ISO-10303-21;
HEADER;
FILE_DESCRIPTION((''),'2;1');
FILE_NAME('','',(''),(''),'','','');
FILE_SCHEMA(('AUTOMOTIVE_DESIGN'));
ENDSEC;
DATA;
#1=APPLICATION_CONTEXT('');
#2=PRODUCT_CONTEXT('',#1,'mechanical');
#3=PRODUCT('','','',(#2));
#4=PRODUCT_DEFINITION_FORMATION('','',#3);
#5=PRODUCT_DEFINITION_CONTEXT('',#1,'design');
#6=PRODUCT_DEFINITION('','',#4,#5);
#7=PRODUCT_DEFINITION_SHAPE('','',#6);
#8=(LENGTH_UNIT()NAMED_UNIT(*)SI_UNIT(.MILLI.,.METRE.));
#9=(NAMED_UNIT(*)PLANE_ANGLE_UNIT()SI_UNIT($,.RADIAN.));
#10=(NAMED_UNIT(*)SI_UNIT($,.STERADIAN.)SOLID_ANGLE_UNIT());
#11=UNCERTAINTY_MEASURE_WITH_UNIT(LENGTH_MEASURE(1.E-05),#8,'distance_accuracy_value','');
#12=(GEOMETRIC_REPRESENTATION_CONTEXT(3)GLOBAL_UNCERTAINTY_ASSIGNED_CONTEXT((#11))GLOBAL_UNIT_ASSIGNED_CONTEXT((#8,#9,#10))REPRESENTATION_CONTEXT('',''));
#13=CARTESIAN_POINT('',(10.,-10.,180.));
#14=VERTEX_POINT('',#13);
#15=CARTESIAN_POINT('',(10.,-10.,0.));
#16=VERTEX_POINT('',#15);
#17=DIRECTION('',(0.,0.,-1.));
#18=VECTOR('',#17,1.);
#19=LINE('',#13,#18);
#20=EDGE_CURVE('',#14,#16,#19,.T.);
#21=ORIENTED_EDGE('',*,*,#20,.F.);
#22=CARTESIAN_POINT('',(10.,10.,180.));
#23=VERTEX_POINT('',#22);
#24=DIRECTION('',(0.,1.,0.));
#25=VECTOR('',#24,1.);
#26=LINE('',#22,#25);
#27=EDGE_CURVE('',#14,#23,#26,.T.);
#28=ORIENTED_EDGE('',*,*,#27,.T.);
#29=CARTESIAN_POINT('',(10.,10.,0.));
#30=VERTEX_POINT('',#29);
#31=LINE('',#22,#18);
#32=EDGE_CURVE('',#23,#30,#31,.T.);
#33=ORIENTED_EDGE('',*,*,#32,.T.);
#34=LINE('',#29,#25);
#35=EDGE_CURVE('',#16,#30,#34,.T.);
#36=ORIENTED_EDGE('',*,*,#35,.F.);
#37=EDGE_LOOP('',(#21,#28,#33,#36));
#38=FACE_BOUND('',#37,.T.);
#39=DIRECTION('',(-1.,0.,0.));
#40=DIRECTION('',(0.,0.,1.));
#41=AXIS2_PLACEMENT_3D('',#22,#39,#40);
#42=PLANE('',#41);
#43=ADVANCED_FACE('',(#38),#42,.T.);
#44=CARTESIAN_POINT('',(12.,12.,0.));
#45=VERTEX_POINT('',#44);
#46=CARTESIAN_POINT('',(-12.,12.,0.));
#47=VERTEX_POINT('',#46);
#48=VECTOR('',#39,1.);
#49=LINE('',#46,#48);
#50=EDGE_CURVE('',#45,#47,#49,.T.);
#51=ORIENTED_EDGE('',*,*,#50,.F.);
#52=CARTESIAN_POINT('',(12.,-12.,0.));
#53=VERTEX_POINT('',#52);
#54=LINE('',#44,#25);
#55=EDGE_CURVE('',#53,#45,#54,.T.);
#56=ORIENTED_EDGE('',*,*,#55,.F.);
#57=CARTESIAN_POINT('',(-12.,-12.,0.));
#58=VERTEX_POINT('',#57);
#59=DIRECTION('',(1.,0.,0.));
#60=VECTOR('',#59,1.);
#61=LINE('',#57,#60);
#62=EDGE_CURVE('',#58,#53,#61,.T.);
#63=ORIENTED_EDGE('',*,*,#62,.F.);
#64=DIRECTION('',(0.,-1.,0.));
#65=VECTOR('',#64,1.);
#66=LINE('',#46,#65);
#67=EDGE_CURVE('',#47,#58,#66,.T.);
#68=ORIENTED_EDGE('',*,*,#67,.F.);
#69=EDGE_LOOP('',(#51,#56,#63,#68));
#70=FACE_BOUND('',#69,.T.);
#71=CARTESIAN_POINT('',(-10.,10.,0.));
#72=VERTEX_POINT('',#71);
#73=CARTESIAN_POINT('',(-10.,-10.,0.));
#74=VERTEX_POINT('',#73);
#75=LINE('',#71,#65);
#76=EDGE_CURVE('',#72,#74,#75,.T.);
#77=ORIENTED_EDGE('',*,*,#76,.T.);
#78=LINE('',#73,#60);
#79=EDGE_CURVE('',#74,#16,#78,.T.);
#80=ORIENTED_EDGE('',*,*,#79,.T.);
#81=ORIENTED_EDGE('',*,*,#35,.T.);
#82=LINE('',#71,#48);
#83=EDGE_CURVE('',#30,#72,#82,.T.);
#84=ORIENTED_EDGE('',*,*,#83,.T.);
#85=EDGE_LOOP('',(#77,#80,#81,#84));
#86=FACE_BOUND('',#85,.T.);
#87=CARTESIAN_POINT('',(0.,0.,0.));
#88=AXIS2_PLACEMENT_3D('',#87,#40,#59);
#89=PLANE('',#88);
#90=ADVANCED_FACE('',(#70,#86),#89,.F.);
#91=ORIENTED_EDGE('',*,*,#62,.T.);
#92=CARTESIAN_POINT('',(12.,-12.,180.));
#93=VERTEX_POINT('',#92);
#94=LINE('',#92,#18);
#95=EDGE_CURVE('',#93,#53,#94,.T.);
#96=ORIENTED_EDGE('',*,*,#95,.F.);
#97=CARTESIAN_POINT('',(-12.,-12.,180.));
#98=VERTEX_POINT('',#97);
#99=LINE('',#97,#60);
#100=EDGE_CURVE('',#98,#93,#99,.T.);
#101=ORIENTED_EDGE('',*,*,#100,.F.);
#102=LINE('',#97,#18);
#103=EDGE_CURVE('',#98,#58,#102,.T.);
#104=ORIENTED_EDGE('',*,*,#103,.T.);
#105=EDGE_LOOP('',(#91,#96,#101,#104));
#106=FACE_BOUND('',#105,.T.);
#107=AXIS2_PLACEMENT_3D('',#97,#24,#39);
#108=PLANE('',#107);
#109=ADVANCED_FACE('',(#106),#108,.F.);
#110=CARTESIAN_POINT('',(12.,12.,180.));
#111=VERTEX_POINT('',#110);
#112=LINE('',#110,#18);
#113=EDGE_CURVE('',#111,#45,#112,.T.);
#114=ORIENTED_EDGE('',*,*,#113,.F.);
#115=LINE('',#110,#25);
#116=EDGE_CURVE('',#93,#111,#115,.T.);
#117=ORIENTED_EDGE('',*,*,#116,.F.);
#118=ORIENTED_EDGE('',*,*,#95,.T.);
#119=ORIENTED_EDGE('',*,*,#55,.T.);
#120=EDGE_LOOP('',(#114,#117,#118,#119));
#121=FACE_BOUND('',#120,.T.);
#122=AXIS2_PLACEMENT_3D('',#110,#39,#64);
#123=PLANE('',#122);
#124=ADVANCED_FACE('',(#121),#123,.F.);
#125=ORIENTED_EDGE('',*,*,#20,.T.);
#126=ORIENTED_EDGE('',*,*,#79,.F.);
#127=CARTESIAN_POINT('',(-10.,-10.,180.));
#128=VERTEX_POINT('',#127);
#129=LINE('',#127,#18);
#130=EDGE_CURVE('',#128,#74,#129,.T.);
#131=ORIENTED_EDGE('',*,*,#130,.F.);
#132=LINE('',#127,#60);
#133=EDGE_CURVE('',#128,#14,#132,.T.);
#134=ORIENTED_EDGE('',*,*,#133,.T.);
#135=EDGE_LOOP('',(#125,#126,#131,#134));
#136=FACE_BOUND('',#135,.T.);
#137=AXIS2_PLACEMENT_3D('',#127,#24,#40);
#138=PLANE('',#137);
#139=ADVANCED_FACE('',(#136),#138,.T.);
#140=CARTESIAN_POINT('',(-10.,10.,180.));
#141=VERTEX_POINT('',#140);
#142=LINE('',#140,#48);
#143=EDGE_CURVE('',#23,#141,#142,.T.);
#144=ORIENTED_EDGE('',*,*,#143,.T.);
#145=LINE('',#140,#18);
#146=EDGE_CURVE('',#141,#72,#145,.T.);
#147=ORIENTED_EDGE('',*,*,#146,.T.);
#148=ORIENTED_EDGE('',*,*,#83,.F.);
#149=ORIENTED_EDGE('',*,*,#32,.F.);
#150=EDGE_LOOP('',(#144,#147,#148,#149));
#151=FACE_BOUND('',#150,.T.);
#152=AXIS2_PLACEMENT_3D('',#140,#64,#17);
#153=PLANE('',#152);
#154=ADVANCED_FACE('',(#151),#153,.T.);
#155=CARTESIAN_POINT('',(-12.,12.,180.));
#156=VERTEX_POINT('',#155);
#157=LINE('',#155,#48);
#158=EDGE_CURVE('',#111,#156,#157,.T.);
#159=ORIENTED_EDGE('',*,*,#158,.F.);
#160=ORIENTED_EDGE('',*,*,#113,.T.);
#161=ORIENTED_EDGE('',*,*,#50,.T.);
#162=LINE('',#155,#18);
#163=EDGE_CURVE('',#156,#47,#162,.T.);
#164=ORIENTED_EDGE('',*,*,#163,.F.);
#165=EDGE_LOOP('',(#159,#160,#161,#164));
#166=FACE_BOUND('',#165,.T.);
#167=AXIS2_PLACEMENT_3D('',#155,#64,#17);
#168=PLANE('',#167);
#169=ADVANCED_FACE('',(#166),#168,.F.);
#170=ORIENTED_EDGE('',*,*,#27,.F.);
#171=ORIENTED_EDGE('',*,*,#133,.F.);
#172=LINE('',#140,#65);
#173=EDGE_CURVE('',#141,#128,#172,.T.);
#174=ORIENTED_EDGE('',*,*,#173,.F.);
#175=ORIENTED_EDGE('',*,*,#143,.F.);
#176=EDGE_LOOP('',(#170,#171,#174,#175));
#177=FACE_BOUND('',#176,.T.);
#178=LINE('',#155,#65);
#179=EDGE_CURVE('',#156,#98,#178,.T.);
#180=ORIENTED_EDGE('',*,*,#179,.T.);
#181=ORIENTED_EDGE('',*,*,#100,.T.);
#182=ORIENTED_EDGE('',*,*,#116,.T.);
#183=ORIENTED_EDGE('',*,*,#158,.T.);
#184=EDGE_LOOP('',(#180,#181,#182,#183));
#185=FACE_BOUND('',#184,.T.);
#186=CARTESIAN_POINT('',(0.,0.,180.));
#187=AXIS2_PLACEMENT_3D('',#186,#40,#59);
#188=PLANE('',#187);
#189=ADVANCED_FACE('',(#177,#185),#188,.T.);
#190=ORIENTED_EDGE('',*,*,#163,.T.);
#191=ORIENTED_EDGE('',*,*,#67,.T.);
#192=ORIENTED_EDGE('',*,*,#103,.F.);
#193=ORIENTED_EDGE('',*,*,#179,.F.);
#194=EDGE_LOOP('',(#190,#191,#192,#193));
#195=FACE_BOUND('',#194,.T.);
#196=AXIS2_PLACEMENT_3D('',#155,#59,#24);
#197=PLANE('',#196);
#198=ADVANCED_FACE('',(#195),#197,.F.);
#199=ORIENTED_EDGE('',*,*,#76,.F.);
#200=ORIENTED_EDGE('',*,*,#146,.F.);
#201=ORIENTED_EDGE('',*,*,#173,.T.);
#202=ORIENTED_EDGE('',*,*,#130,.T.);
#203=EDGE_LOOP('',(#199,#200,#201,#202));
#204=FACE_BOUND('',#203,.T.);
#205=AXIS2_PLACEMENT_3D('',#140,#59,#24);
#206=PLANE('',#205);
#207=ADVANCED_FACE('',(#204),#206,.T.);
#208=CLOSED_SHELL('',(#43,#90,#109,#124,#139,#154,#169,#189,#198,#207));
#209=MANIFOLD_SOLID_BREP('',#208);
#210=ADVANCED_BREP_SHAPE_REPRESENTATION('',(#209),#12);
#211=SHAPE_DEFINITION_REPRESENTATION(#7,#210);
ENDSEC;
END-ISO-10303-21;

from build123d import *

# Parameters (mm, degrees)
SKETCH_1_W      = 24
SKETCH_1_H      = 24
SKETCH_1_W_2    = 20
SKETCH_1_H_2    = 20
EXTRUDE_1_DEPTH = 180


with BuildPart() as part:
    # 草图1 → 凸台-拉伸1 (new body)
    with BuildSketch(Plane.XY):
        Rectangle(SKETCH_1_W, SKETCH_1_H)
        Rectangle(SKETCH_1_W_2, SKETCH_1_H_2, mode=Mode.SUBTRACT)
    extrude(amount=EXTRUDE_1_DEPTH)


solid = part.part
